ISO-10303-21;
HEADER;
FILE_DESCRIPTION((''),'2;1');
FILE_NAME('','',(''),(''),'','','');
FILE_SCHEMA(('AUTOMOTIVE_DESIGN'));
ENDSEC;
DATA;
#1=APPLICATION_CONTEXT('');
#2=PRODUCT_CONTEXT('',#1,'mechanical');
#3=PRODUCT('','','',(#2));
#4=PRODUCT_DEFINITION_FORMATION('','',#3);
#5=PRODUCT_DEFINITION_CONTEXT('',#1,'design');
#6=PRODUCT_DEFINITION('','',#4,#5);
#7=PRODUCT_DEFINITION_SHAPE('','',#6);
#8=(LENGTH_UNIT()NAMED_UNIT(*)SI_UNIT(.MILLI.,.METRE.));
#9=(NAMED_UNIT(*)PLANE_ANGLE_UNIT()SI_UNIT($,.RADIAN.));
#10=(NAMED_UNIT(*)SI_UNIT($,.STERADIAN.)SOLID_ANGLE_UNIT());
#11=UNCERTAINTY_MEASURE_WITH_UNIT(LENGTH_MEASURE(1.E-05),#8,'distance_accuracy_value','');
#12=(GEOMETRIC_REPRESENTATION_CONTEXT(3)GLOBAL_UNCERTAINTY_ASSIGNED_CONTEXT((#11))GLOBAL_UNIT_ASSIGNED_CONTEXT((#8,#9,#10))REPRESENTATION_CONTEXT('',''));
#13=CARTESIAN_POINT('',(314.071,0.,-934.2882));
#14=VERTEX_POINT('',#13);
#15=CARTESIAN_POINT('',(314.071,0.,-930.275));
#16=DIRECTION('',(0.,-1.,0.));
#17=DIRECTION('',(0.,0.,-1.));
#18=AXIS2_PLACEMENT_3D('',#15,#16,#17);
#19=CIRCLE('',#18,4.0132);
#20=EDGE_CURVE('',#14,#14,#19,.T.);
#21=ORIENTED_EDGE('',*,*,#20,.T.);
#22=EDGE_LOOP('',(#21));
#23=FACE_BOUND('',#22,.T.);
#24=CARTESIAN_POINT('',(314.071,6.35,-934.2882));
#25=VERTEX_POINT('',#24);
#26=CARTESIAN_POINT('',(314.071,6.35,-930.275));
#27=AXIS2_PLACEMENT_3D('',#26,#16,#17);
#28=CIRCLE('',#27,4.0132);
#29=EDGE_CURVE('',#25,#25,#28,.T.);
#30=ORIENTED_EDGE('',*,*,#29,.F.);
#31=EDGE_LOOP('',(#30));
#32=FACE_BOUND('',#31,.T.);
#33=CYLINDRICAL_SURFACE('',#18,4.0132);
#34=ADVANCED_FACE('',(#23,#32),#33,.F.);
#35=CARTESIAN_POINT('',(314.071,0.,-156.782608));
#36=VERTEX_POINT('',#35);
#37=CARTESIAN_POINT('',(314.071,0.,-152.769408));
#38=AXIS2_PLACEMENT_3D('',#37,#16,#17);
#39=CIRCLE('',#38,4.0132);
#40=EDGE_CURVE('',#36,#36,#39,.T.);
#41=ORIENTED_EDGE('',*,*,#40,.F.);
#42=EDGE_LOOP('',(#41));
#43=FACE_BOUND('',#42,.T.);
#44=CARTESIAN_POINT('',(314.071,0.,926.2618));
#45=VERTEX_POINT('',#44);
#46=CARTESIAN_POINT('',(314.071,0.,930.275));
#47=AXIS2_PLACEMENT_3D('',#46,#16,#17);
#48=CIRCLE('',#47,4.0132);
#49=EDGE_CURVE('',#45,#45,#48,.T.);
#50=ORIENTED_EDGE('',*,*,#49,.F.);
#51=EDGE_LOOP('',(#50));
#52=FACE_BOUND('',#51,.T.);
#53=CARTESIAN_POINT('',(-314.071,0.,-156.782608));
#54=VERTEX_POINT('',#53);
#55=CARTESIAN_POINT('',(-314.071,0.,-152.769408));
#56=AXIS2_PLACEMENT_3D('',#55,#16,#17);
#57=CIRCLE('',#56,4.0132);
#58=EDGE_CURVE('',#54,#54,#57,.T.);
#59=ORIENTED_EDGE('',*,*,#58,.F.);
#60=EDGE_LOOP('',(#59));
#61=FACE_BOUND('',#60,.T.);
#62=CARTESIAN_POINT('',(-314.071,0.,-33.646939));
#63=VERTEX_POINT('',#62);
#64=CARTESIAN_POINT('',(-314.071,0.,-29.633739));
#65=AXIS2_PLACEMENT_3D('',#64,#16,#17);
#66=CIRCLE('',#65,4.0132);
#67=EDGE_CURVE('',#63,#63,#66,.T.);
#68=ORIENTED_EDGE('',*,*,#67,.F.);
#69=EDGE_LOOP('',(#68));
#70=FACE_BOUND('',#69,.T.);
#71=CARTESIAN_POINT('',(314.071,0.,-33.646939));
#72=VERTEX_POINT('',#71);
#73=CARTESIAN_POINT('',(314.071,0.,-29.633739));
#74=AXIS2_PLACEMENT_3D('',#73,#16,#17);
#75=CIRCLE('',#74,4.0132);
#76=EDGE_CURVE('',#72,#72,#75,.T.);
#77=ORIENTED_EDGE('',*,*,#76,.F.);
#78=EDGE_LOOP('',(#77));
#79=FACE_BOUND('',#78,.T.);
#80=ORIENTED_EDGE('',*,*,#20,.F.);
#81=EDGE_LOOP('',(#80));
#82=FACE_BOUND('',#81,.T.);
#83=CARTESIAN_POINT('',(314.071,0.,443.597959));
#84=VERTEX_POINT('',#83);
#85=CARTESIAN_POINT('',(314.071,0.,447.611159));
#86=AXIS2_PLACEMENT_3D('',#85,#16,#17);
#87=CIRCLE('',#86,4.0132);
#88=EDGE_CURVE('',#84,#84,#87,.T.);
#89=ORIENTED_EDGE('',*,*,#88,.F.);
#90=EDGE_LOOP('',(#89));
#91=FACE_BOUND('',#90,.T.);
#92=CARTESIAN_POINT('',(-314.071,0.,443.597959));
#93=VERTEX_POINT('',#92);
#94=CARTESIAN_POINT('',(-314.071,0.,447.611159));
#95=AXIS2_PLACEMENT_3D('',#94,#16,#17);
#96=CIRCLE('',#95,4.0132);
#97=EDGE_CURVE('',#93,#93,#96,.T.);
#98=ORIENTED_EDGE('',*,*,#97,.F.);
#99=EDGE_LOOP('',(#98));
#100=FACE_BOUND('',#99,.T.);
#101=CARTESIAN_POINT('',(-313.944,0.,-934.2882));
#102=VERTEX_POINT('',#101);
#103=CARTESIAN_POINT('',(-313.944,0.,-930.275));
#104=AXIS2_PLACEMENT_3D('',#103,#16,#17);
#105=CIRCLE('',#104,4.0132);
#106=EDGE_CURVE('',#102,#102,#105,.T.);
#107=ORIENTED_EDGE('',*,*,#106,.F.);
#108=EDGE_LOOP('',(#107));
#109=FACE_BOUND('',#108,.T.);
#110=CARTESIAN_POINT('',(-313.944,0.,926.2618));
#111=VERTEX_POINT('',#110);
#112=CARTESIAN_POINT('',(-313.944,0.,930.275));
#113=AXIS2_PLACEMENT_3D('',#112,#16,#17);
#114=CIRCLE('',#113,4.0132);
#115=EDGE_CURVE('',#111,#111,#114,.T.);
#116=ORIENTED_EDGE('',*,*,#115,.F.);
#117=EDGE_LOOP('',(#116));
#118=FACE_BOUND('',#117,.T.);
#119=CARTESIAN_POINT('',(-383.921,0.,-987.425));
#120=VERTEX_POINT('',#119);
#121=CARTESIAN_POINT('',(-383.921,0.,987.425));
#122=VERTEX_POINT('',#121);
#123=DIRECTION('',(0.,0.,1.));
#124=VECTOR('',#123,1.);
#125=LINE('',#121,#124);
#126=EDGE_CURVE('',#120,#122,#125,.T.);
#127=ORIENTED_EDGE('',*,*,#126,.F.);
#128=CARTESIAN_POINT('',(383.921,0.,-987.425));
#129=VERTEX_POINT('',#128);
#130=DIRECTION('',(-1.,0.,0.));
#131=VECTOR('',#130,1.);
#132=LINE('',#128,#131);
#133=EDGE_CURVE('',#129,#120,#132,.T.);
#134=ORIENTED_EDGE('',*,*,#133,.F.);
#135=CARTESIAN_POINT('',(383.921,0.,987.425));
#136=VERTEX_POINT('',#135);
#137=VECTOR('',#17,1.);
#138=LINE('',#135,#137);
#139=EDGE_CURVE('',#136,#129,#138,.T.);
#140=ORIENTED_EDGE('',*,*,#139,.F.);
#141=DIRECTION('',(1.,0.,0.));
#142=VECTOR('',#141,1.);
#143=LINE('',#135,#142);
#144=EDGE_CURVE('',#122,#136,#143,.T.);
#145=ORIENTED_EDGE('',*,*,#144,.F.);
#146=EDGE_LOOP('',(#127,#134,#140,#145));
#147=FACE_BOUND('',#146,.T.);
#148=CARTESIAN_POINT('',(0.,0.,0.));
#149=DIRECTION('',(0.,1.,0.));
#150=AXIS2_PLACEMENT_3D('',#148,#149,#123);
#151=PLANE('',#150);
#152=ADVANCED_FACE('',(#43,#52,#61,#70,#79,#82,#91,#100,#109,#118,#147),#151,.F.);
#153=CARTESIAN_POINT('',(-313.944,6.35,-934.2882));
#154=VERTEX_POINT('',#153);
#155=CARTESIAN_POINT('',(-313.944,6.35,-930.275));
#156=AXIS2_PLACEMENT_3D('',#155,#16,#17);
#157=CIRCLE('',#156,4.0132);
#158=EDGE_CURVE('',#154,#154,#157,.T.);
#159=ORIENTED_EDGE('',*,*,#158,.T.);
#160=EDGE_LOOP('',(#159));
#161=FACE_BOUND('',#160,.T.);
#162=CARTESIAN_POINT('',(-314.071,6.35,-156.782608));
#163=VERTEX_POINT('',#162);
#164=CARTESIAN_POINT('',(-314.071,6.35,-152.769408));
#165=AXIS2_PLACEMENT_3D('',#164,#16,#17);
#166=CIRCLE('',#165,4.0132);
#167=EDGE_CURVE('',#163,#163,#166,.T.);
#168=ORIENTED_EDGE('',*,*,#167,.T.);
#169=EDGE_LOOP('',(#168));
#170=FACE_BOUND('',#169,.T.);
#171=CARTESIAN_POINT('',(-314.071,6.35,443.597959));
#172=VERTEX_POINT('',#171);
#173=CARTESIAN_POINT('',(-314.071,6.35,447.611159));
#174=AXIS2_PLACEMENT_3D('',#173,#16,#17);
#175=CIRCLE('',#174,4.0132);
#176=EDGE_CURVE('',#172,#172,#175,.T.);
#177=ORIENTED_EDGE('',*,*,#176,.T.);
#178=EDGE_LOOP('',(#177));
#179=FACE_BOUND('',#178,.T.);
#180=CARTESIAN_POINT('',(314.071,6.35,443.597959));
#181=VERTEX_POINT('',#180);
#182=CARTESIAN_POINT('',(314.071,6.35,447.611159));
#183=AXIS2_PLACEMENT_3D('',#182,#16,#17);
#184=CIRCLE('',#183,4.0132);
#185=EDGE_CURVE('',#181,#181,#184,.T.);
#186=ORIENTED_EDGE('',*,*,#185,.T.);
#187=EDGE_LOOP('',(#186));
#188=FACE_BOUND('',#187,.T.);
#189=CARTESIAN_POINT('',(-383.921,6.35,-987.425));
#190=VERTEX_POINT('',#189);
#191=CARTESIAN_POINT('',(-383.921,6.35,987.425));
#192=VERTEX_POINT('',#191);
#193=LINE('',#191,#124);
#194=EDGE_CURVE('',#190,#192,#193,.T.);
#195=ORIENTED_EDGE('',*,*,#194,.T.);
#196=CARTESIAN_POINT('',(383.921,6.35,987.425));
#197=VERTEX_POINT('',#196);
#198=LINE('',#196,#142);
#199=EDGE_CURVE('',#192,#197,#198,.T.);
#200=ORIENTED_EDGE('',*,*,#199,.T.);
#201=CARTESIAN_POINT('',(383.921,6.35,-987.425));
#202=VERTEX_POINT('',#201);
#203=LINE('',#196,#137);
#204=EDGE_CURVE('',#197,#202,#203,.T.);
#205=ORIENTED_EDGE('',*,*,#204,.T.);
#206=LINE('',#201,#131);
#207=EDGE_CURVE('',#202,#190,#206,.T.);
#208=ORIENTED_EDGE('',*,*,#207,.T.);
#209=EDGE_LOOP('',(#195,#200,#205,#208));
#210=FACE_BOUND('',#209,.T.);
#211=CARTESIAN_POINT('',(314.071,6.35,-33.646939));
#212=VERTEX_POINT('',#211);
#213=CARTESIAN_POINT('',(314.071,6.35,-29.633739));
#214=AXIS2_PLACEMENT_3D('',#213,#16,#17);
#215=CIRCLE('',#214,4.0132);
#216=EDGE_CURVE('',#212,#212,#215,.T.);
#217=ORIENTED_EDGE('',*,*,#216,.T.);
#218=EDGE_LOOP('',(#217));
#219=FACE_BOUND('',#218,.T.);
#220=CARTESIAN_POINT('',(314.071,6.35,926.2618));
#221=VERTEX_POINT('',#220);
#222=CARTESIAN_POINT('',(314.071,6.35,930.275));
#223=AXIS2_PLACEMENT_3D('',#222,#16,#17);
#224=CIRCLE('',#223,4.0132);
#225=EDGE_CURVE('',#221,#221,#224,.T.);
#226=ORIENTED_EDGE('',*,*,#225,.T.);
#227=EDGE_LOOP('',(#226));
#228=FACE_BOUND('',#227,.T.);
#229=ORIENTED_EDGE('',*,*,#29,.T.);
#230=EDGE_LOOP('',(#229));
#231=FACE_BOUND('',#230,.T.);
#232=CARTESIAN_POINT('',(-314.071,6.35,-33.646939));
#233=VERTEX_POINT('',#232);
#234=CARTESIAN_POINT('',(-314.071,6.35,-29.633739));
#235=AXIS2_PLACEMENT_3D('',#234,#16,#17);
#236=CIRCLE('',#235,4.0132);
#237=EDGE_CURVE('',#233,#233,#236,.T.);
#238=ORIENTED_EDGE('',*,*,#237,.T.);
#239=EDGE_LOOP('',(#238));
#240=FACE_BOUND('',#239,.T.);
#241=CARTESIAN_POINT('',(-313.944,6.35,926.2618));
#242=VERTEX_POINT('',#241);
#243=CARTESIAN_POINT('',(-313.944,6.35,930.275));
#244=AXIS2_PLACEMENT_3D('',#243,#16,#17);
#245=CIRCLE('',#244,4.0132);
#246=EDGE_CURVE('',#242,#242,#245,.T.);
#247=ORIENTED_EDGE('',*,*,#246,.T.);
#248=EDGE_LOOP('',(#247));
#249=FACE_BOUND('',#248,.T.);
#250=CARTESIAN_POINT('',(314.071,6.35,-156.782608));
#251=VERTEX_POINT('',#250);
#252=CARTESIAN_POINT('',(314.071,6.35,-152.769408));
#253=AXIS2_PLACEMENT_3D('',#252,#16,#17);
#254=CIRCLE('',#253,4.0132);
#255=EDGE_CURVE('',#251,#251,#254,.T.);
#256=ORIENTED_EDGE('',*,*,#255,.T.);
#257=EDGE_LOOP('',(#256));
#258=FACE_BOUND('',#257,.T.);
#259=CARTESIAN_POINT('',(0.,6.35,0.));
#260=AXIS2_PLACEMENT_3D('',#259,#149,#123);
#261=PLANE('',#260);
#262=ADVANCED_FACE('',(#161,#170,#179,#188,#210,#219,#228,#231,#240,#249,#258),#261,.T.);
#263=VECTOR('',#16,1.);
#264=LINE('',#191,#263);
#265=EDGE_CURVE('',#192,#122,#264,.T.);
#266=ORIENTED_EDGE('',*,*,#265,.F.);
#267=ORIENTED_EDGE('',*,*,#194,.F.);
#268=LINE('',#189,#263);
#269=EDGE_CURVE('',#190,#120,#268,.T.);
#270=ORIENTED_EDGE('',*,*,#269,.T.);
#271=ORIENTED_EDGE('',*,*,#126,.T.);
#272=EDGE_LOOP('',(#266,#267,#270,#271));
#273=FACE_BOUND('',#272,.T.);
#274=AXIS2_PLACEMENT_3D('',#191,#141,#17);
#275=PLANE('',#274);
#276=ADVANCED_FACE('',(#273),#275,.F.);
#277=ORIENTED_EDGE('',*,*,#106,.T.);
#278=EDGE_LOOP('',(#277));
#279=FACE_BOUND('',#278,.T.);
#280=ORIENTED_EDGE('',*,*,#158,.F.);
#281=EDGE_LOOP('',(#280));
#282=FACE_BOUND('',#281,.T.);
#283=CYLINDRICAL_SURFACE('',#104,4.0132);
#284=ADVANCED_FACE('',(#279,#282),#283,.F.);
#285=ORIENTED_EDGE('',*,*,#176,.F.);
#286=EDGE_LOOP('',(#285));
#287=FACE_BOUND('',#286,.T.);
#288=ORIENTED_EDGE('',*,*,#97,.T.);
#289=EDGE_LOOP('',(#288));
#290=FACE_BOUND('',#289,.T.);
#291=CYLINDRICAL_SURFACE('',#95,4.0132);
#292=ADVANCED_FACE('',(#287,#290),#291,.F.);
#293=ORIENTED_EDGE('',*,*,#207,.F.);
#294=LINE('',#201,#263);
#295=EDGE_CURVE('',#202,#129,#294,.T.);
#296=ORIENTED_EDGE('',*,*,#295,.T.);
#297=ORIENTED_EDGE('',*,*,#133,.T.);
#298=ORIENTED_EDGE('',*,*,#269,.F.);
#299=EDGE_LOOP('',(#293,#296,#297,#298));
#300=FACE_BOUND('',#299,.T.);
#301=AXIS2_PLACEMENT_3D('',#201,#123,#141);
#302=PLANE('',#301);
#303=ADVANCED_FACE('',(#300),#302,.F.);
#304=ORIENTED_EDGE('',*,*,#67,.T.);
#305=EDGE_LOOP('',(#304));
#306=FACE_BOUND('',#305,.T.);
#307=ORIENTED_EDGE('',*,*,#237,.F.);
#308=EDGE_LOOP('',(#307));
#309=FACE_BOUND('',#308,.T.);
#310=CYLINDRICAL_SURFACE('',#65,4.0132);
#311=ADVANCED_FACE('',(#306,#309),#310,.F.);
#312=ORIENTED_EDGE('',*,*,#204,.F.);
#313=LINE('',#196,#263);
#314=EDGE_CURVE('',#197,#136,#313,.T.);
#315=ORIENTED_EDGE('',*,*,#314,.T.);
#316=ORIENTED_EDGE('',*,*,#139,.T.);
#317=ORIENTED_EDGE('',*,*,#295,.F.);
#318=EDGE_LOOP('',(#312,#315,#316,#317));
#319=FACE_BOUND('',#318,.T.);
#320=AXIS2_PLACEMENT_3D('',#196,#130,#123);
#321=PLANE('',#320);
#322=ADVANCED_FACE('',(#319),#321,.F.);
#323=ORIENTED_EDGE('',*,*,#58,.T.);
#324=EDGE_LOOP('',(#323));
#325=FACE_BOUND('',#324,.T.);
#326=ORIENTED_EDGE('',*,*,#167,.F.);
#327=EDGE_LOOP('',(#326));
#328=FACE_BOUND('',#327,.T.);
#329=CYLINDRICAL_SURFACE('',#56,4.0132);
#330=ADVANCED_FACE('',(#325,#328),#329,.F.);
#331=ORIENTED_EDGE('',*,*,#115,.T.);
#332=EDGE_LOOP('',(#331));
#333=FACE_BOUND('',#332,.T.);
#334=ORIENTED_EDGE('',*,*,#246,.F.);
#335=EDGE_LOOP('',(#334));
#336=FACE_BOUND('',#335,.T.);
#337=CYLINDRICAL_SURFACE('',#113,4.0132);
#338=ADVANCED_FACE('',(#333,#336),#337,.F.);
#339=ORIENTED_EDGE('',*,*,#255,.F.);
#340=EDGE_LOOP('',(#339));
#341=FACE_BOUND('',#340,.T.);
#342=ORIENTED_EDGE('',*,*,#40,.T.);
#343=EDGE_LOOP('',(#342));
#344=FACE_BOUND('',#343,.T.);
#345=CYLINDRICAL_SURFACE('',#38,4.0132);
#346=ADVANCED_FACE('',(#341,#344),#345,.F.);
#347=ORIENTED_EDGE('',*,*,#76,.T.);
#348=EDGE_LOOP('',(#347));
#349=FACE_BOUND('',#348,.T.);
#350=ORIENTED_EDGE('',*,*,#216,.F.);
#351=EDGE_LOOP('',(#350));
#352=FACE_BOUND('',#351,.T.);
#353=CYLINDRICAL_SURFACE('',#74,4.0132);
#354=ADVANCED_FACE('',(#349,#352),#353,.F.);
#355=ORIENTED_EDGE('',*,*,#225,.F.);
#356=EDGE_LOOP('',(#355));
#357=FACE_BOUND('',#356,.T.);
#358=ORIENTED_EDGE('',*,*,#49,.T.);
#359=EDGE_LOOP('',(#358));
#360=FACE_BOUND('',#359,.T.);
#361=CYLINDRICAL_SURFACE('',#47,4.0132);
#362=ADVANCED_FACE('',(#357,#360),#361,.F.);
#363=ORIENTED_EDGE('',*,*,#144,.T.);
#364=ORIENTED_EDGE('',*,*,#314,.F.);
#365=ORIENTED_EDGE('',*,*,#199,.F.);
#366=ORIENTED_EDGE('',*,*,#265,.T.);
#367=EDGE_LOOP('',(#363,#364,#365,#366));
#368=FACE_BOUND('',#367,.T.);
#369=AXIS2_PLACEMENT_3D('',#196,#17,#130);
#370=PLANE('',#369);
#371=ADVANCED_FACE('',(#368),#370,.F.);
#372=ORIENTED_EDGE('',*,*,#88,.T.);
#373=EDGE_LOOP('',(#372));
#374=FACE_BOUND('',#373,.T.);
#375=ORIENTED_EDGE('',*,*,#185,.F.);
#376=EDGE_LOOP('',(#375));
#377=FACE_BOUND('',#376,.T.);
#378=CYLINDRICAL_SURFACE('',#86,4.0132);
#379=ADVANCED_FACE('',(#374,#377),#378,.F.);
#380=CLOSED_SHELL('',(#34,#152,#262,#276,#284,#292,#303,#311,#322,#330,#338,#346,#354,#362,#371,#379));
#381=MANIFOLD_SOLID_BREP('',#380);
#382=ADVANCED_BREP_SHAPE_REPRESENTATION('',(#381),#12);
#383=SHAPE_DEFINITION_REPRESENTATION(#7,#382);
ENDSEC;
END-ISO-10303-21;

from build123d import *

# Parameters (mm, degrees)
SKETCH1_W                = 767.842
SKETCH1_H                = 1974.85
BOSS_EXTRUDE1_DEPTH      = 6.35
J_0_277_DIAMETER_HOLE1_D = 8.0264


with BuildPart() as part:
    # Sketch1 → Boss-Extrude1 (new body)
    with BuildSketch(Plane(origin=(0, 0, 0), x_dir=(1, 0, 0), z_dir=(0, 1, 0))):
        Rectangle(SKETCH1_W, SKETCH1_H)
    extrude(amount=BOSS_EXTRUDE1_DEPTH)

    # J (0.277) Diameter Hole1 (through all)
    with Locations(Plane(origin=(0, 0, 0), x_dir=(-1, 0, 0), z_dir=(0, -1, 0))):
        with Locations((-314.071, -930.275), (313.944, -930.275), (-314.071, 29.633738777), (314.071, 29.633738777), (313.944, 930.275), (-314.071, 930.275), (-314.071, 152.769407652), (314.071, 152.769407652), (-314.071, -447.611159485), (314.071, -447.611159485)):
            Hole(J_0_277_DIAMETER_HOLE1_D / 2)


solid = part.part
